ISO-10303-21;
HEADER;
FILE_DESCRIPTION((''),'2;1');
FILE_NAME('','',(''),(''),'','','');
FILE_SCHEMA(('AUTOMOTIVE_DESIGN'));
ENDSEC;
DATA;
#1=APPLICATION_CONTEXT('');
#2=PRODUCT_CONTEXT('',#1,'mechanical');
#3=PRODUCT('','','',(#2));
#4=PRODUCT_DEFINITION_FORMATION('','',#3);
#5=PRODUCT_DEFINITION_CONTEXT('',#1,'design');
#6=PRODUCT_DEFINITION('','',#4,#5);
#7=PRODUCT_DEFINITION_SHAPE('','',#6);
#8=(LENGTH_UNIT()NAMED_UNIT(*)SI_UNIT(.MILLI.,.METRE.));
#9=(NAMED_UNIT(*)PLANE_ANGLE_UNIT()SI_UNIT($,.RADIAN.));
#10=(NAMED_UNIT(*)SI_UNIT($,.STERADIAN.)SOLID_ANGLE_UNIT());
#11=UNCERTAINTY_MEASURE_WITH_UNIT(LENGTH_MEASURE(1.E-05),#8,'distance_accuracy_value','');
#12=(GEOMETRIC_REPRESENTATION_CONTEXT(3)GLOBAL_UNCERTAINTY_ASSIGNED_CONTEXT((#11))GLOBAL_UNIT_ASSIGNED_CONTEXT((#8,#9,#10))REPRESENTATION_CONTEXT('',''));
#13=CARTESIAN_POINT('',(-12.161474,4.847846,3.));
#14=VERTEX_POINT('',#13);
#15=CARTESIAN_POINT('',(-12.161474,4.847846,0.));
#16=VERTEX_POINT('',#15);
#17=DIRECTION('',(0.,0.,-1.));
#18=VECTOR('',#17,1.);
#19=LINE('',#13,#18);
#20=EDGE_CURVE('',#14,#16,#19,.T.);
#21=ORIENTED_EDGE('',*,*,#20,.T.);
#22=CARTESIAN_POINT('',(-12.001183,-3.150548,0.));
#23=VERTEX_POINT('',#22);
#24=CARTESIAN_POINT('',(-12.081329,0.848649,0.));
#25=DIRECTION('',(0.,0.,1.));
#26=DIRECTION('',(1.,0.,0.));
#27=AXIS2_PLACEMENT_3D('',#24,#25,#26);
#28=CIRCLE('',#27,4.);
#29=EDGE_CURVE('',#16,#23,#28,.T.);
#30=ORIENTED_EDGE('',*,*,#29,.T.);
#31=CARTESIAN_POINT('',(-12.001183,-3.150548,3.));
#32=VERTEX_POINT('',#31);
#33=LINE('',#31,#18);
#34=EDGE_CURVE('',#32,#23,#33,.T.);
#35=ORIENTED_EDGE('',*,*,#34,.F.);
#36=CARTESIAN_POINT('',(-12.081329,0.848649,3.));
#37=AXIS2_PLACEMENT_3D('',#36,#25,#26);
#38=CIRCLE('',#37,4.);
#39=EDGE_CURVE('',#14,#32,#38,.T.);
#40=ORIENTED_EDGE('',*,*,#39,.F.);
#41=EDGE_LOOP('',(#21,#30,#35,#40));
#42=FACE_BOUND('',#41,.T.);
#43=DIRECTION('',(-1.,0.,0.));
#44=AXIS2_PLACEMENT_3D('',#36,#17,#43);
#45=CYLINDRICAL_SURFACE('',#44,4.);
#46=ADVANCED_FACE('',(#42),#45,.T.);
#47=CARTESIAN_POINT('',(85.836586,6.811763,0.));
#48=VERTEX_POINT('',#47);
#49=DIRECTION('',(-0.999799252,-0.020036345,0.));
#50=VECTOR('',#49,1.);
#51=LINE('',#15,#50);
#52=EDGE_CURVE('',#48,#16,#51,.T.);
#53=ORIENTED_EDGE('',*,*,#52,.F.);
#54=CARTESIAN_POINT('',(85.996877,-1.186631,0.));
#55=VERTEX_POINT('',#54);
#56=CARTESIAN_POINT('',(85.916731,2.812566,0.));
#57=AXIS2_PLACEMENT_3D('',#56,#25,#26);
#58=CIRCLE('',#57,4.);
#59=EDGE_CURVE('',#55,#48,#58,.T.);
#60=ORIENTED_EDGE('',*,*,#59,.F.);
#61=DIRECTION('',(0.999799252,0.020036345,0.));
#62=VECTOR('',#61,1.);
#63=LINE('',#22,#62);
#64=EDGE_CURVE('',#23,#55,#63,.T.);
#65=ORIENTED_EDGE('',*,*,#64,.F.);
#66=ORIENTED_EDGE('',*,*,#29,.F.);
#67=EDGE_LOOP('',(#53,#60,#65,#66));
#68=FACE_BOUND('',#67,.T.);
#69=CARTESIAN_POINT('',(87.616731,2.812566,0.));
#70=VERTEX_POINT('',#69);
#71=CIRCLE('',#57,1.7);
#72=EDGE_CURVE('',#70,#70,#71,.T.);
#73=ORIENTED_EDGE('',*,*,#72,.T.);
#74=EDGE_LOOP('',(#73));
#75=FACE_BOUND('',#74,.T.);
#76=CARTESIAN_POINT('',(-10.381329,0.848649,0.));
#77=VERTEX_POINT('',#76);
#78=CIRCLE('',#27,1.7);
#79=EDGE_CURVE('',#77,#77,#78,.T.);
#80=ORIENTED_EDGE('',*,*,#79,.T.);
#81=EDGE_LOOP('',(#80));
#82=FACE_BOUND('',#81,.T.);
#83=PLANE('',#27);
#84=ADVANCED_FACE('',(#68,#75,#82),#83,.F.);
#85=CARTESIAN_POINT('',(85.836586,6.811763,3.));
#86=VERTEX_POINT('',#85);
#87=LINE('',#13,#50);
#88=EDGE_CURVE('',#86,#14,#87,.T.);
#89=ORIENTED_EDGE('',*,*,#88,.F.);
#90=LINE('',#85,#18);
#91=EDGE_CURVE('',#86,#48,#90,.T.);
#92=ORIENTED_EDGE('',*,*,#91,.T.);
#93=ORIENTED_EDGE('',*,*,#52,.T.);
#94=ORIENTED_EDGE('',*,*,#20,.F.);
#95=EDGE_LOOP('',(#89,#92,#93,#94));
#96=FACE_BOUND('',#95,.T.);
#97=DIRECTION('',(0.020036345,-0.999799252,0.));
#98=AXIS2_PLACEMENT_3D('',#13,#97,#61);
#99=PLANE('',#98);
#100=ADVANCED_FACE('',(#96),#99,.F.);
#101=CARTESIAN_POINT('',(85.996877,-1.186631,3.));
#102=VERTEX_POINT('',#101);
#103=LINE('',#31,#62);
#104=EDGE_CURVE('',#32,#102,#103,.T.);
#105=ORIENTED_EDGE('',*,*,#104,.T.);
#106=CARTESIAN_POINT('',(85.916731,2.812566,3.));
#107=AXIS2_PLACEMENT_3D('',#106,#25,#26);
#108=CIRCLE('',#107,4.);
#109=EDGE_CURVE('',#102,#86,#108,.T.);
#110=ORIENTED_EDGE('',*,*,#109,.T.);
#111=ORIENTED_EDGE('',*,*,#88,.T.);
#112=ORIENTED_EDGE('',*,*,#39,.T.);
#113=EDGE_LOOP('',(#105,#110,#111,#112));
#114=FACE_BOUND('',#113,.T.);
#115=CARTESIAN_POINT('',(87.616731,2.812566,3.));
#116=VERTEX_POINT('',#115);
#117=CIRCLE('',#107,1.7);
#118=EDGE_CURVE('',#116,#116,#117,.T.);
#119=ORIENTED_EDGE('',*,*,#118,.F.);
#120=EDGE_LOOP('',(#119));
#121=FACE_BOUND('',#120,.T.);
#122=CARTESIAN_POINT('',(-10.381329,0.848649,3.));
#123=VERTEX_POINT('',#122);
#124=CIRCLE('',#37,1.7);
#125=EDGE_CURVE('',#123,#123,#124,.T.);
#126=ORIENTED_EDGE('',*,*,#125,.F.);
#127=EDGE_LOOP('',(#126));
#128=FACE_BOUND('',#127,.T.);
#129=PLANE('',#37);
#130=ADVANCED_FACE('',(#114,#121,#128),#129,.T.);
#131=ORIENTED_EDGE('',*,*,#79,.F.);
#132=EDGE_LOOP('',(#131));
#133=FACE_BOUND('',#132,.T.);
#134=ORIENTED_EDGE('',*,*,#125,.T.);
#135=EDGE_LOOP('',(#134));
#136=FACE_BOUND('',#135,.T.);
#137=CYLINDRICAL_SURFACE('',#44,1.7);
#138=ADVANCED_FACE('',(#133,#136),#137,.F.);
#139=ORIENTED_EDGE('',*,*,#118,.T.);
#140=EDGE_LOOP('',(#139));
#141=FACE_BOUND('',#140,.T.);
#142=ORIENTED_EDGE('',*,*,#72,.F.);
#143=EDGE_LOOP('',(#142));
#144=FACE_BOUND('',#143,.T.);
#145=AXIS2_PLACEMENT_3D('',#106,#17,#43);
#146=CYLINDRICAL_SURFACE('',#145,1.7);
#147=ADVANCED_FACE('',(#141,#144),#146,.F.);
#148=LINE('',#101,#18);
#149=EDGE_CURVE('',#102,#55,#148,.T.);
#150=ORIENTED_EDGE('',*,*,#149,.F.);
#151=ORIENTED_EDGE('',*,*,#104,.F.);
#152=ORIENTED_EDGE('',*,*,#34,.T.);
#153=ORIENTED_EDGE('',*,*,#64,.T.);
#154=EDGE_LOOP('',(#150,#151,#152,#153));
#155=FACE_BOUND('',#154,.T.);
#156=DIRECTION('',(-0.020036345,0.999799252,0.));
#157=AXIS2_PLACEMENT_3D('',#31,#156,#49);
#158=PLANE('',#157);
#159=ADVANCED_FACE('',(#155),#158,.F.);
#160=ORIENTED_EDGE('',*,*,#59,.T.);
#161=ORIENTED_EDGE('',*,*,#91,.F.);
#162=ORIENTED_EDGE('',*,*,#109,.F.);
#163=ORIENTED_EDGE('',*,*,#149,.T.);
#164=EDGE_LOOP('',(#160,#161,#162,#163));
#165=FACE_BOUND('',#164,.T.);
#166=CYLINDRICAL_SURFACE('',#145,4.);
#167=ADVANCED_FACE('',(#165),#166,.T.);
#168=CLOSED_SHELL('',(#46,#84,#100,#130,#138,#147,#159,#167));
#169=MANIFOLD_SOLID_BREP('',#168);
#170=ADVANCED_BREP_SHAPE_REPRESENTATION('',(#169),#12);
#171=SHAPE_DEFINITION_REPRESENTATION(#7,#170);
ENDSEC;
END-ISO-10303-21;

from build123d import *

# Parameters (mm, degrees)
SKETCH1_R           = 1.7
BOSS_EXTRUDE1_DEPTH = 3


with BuildPart() as part:
    # Sketch1 → Boss-Extrude1 (new body)
    with BuildSketch(Plane.XY):
        with BuildLine():
            Line((-12.16147421, 4.847845645), (85.836586078, 6.811762841))
            ThreePointArc((85.836586078, 6.811762841), (89.915928467, 2.892711212), (85.996876838, -1.186631177))
            Line((85.996876838, -1.186631177), (-12.00118345, -3.150548374))
            ThreePointArc((-12.00118345, -3.150548374), (-16.080525839, 0.768503256), (-12.16147421, 4.847845645))
        make_face()
        with Locations((-12.08132883, 0.848648636)):
            Circle(SKETCH1_R, mode=Mode.SUBTRACT)
        with Locations((85.916731458, 2.812565832)):
            Circle(SKETCH1_R, mode=Mode.SUBTRACT)
    extrude(amount=BOSS_EXTRUDE1_DEPTH)


solid = part.part
